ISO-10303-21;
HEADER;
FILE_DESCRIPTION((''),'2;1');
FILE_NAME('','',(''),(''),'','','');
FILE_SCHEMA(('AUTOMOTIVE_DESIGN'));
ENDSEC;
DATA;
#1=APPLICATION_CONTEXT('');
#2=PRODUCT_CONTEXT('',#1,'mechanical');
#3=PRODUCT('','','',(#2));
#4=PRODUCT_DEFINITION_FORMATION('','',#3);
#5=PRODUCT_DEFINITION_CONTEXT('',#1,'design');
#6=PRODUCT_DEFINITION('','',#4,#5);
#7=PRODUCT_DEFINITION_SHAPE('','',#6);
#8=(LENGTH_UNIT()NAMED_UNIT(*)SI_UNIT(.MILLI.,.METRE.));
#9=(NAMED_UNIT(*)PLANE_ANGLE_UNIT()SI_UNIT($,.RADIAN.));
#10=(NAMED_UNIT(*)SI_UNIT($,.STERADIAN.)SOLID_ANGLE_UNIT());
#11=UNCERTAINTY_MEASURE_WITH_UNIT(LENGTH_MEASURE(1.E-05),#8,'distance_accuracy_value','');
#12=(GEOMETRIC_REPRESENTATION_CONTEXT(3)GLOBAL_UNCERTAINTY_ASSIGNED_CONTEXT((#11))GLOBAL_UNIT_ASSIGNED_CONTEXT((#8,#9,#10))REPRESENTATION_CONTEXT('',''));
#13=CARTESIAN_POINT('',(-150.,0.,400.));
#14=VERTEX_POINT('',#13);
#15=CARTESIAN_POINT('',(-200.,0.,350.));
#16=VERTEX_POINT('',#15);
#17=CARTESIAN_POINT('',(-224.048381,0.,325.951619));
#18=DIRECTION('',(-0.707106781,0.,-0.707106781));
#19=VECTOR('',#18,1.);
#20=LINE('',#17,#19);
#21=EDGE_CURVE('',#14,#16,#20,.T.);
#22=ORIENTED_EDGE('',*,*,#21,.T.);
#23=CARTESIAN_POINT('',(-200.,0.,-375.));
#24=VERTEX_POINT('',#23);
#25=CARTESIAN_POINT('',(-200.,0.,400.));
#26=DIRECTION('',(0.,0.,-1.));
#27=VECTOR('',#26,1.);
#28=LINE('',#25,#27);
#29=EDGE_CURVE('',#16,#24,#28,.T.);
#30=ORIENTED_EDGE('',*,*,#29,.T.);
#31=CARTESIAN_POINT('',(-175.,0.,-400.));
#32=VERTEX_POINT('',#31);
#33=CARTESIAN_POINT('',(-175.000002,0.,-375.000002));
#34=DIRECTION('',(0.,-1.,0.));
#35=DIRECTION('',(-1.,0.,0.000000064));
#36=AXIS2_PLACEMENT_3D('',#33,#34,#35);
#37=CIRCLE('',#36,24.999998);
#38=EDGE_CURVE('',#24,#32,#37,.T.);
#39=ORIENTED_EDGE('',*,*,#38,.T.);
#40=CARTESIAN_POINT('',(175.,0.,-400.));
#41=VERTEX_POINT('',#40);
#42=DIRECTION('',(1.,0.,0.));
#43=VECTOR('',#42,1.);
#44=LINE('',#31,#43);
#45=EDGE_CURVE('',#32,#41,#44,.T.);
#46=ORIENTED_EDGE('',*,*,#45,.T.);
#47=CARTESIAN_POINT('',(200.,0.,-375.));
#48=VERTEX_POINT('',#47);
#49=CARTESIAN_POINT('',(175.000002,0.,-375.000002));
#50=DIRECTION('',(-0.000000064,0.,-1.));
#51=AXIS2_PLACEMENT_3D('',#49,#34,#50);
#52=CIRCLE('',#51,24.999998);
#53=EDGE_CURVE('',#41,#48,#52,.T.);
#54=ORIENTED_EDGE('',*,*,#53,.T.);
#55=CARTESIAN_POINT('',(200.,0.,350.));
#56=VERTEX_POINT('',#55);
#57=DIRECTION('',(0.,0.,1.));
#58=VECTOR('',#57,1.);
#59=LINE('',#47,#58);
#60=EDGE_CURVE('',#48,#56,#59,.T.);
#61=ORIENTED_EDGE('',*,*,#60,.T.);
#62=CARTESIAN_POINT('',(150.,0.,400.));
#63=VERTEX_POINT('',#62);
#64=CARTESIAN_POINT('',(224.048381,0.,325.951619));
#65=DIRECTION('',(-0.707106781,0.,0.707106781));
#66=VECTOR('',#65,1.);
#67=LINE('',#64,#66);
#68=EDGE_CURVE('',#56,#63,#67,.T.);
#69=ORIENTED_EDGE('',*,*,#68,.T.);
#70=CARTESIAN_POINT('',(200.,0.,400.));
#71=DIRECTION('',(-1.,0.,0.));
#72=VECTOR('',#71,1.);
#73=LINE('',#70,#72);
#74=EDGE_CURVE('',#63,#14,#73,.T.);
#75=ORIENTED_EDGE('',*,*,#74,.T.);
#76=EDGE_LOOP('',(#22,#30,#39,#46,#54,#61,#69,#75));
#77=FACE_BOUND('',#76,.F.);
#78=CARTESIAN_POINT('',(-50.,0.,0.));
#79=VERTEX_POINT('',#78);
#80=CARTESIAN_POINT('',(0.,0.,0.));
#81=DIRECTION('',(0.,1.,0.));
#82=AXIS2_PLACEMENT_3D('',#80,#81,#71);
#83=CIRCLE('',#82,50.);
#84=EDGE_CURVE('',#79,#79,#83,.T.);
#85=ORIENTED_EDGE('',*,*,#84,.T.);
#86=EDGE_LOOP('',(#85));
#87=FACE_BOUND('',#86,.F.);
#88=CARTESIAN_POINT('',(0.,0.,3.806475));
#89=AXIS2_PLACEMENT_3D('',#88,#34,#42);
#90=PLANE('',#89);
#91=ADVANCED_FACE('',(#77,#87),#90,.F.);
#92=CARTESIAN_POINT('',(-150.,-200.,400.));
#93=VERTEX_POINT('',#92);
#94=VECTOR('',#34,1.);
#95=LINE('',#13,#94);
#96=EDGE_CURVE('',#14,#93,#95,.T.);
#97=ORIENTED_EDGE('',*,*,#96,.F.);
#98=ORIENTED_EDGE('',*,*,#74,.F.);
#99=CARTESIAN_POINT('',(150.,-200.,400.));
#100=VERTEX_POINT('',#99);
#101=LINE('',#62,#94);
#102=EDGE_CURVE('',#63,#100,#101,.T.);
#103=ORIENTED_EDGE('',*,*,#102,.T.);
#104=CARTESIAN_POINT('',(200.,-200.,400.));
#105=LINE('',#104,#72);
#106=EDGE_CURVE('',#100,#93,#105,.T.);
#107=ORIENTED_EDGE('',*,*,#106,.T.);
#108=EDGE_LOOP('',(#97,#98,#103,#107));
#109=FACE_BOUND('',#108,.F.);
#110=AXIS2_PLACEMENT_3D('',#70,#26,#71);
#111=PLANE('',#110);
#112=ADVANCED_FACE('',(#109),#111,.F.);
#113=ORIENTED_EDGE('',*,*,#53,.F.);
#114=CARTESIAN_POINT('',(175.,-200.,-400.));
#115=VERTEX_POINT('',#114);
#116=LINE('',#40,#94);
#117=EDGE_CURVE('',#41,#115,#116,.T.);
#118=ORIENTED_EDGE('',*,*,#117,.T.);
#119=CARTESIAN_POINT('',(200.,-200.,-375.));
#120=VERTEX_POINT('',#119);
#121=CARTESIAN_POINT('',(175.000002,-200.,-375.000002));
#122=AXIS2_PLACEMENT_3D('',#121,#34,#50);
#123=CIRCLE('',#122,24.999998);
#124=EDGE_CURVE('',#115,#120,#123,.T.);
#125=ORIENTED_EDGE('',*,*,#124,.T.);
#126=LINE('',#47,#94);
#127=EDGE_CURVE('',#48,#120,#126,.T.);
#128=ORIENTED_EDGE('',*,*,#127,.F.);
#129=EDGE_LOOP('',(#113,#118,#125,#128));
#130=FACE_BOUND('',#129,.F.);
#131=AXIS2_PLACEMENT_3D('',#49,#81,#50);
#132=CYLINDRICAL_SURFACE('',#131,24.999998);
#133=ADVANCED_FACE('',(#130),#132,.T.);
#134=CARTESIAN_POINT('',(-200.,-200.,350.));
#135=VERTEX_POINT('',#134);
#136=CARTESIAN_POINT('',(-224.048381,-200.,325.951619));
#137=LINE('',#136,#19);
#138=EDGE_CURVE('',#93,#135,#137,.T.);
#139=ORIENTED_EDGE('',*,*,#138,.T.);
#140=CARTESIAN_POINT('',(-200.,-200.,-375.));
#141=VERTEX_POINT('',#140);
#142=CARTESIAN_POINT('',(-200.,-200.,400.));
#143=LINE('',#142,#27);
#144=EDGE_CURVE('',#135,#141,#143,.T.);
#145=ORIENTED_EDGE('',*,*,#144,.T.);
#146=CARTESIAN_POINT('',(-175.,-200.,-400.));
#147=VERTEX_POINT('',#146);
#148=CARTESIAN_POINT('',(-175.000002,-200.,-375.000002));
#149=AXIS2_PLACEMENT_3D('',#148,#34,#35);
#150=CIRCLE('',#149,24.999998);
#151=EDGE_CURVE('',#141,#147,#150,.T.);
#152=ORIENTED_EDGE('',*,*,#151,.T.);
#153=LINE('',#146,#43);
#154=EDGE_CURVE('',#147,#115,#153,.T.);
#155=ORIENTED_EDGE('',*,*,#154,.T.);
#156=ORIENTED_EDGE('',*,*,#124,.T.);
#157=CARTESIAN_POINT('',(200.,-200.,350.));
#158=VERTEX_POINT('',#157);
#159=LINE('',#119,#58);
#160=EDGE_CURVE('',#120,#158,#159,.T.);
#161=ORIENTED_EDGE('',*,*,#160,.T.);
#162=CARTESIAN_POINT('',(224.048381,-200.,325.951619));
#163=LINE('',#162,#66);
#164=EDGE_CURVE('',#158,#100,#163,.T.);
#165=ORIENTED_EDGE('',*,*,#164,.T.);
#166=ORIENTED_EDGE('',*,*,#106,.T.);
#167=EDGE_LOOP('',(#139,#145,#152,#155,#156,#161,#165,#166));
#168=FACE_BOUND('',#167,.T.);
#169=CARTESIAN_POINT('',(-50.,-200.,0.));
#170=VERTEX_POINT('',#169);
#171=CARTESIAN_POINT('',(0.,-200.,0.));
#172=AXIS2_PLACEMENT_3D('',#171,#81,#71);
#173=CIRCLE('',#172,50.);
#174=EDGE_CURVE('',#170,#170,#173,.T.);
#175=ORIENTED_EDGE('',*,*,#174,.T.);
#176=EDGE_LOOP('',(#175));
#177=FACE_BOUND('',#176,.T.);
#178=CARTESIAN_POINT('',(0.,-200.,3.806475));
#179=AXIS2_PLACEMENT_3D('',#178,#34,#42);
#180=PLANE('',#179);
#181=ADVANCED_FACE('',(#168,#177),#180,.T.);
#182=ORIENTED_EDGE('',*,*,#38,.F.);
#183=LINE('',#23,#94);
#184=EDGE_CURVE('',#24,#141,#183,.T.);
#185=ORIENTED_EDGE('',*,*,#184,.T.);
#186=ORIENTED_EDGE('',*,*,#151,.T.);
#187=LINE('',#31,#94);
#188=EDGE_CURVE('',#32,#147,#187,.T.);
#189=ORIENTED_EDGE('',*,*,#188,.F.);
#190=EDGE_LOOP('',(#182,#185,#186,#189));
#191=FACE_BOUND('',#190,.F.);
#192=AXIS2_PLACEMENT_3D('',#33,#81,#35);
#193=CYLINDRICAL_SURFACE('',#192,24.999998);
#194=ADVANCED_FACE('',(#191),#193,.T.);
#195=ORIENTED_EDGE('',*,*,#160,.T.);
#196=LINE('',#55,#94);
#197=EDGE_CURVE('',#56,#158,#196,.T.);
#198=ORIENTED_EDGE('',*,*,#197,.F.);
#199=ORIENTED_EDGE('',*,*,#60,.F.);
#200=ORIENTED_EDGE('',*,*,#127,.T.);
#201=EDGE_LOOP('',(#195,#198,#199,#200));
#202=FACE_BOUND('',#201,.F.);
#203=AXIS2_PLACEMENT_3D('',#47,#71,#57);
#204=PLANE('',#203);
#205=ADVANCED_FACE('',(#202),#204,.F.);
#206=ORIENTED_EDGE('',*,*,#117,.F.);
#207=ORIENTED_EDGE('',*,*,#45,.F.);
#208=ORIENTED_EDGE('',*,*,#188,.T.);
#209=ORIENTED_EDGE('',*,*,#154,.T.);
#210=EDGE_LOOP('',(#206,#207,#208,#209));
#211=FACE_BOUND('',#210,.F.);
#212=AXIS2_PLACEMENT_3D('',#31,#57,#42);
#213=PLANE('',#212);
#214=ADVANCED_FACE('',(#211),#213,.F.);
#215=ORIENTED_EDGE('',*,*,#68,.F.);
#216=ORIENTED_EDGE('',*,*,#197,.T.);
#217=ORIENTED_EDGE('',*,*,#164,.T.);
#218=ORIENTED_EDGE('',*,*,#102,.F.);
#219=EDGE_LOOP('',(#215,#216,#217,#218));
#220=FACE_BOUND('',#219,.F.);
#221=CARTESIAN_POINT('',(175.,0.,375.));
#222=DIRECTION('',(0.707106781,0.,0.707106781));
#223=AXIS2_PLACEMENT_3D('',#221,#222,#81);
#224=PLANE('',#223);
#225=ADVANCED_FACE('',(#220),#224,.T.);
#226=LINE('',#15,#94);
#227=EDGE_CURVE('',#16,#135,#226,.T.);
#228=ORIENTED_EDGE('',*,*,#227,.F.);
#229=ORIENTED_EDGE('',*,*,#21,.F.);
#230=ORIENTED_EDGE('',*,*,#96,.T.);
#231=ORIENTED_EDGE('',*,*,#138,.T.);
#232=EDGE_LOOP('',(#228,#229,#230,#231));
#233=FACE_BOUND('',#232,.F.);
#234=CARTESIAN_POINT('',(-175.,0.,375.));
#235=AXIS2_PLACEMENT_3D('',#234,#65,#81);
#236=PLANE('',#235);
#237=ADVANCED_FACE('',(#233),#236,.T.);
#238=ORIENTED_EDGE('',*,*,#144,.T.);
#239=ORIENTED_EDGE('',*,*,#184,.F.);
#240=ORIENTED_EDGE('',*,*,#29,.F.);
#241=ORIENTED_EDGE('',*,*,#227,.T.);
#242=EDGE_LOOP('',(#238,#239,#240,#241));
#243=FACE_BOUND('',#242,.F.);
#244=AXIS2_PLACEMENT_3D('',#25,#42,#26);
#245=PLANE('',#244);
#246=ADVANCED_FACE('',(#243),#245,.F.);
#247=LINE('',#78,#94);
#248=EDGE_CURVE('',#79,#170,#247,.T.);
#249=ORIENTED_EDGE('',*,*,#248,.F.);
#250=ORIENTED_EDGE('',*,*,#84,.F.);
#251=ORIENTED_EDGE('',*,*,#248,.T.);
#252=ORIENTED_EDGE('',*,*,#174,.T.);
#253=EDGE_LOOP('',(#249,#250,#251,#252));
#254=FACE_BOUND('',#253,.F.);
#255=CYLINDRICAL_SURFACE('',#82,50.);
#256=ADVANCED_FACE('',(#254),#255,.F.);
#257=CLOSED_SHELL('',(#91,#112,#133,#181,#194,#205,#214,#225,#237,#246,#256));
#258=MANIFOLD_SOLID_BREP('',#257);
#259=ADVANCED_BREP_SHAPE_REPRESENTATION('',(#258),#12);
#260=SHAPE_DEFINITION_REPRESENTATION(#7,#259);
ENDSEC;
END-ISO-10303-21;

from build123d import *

# Parameters (mm, degrees)
F1_DEPTH = 200
F2_SIZE  = 50
F3_R     = 50
F4_DEPTH = 200.001


with BuildPart() as f1:
    # F0 (on Front) → F1 (new body)
    with BuildSketch(Plane.XZ):
        with BuildLine():
            Line((200, -375), (200, 400))
            Line((200, 400), (-200, 400))
            Line((-200, 400), (-200, -375))
            ThreePointArc((-200, -375), (-192.67767, -392.67767), (-175, -400))
            Line((-175, -400), (175, -400))
            ThreePointArc((175, -400), (192.67767, -392.67767), (200, -375))
        make_face()
    extrude(amount=F1_DEPTH)

    # F2
    f2_edges = [f1.edges().sort_by_distance(p)[0] for p in [
        (200, -100, 400),
        (-200, -100, 400),
    ]]
    chamfer(f2_edges, length=F2_SIZE)

    # F3 (on face) → F4 (cut, through all)
    with BuildSketch(Plane(origin=(0, 0, 0), x_dir=(-1, 0, 0), z_dir=(0, 1, 0))):
        Circle(F3_R)
    extrude(amount=-F4_DEPTH, mode=Mode.SUBTRACT)


solid = f1.part
